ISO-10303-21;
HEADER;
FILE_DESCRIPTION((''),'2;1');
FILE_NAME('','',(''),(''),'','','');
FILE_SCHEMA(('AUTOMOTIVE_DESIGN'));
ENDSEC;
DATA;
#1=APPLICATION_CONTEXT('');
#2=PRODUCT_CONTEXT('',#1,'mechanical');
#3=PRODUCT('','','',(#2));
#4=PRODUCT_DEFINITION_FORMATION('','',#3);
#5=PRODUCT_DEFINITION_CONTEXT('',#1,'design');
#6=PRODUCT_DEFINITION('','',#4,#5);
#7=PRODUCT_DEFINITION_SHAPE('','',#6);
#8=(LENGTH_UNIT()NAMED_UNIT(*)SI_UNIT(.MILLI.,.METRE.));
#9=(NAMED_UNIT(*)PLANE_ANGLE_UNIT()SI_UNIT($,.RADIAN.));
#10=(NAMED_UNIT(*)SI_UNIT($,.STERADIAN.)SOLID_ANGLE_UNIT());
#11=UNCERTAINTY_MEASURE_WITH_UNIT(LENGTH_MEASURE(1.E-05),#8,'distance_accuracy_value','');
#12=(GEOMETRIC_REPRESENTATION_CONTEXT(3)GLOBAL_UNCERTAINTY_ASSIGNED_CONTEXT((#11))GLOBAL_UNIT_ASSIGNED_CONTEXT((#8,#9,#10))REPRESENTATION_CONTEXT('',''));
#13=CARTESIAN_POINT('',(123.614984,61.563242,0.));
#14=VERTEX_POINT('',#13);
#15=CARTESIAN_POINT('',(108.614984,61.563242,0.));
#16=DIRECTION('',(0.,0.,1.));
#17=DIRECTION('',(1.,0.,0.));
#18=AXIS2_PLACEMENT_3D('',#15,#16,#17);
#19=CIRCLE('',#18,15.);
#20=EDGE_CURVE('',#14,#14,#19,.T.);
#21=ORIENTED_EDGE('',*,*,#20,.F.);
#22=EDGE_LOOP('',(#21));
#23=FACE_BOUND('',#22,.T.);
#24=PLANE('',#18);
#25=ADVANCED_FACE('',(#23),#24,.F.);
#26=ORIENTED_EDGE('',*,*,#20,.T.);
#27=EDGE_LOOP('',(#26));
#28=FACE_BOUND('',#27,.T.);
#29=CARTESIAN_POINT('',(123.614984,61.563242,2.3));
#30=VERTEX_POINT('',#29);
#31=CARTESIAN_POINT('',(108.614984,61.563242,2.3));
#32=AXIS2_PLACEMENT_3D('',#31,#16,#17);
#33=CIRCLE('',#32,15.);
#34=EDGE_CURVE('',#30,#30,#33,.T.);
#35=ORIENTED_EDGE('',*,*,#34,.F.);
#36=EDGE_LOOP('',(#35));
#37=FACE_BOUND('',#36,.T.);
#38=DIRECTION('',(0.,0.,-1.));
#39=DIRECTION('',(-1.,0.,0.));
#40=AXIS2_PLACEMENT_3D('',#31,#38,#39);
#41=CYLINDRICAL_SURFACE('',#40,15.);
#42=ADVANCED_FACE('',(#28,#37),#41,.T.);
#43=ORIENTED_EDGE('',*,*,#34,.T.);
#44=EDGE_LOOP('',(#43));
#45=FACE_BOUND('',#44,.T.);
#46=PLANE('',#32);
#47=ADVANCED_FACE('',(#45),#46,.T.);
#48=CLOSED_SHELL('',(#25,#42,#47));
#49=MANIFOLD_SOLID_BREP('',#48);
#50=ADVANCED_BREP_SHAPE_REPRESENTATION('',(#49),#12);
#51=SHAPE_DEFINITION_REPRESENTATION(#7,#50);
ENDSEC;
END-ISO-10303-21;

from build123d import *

# Parameters (mm, degrees)
SKETCH_1_R      = 15
EXTRUDE_1_DEPTH = 2.3


with BuildPart() as part:
    # 草图1 → 凸台-拉伸1 (new body)
    with BuildSketch(Plane.XY):
        with Locations((108.614983942, 61.563241835)):
            Circle(SKETCH_1_R)
    extrude(amount=EXTRUDE_1_DEPTH)


solid = part.part
